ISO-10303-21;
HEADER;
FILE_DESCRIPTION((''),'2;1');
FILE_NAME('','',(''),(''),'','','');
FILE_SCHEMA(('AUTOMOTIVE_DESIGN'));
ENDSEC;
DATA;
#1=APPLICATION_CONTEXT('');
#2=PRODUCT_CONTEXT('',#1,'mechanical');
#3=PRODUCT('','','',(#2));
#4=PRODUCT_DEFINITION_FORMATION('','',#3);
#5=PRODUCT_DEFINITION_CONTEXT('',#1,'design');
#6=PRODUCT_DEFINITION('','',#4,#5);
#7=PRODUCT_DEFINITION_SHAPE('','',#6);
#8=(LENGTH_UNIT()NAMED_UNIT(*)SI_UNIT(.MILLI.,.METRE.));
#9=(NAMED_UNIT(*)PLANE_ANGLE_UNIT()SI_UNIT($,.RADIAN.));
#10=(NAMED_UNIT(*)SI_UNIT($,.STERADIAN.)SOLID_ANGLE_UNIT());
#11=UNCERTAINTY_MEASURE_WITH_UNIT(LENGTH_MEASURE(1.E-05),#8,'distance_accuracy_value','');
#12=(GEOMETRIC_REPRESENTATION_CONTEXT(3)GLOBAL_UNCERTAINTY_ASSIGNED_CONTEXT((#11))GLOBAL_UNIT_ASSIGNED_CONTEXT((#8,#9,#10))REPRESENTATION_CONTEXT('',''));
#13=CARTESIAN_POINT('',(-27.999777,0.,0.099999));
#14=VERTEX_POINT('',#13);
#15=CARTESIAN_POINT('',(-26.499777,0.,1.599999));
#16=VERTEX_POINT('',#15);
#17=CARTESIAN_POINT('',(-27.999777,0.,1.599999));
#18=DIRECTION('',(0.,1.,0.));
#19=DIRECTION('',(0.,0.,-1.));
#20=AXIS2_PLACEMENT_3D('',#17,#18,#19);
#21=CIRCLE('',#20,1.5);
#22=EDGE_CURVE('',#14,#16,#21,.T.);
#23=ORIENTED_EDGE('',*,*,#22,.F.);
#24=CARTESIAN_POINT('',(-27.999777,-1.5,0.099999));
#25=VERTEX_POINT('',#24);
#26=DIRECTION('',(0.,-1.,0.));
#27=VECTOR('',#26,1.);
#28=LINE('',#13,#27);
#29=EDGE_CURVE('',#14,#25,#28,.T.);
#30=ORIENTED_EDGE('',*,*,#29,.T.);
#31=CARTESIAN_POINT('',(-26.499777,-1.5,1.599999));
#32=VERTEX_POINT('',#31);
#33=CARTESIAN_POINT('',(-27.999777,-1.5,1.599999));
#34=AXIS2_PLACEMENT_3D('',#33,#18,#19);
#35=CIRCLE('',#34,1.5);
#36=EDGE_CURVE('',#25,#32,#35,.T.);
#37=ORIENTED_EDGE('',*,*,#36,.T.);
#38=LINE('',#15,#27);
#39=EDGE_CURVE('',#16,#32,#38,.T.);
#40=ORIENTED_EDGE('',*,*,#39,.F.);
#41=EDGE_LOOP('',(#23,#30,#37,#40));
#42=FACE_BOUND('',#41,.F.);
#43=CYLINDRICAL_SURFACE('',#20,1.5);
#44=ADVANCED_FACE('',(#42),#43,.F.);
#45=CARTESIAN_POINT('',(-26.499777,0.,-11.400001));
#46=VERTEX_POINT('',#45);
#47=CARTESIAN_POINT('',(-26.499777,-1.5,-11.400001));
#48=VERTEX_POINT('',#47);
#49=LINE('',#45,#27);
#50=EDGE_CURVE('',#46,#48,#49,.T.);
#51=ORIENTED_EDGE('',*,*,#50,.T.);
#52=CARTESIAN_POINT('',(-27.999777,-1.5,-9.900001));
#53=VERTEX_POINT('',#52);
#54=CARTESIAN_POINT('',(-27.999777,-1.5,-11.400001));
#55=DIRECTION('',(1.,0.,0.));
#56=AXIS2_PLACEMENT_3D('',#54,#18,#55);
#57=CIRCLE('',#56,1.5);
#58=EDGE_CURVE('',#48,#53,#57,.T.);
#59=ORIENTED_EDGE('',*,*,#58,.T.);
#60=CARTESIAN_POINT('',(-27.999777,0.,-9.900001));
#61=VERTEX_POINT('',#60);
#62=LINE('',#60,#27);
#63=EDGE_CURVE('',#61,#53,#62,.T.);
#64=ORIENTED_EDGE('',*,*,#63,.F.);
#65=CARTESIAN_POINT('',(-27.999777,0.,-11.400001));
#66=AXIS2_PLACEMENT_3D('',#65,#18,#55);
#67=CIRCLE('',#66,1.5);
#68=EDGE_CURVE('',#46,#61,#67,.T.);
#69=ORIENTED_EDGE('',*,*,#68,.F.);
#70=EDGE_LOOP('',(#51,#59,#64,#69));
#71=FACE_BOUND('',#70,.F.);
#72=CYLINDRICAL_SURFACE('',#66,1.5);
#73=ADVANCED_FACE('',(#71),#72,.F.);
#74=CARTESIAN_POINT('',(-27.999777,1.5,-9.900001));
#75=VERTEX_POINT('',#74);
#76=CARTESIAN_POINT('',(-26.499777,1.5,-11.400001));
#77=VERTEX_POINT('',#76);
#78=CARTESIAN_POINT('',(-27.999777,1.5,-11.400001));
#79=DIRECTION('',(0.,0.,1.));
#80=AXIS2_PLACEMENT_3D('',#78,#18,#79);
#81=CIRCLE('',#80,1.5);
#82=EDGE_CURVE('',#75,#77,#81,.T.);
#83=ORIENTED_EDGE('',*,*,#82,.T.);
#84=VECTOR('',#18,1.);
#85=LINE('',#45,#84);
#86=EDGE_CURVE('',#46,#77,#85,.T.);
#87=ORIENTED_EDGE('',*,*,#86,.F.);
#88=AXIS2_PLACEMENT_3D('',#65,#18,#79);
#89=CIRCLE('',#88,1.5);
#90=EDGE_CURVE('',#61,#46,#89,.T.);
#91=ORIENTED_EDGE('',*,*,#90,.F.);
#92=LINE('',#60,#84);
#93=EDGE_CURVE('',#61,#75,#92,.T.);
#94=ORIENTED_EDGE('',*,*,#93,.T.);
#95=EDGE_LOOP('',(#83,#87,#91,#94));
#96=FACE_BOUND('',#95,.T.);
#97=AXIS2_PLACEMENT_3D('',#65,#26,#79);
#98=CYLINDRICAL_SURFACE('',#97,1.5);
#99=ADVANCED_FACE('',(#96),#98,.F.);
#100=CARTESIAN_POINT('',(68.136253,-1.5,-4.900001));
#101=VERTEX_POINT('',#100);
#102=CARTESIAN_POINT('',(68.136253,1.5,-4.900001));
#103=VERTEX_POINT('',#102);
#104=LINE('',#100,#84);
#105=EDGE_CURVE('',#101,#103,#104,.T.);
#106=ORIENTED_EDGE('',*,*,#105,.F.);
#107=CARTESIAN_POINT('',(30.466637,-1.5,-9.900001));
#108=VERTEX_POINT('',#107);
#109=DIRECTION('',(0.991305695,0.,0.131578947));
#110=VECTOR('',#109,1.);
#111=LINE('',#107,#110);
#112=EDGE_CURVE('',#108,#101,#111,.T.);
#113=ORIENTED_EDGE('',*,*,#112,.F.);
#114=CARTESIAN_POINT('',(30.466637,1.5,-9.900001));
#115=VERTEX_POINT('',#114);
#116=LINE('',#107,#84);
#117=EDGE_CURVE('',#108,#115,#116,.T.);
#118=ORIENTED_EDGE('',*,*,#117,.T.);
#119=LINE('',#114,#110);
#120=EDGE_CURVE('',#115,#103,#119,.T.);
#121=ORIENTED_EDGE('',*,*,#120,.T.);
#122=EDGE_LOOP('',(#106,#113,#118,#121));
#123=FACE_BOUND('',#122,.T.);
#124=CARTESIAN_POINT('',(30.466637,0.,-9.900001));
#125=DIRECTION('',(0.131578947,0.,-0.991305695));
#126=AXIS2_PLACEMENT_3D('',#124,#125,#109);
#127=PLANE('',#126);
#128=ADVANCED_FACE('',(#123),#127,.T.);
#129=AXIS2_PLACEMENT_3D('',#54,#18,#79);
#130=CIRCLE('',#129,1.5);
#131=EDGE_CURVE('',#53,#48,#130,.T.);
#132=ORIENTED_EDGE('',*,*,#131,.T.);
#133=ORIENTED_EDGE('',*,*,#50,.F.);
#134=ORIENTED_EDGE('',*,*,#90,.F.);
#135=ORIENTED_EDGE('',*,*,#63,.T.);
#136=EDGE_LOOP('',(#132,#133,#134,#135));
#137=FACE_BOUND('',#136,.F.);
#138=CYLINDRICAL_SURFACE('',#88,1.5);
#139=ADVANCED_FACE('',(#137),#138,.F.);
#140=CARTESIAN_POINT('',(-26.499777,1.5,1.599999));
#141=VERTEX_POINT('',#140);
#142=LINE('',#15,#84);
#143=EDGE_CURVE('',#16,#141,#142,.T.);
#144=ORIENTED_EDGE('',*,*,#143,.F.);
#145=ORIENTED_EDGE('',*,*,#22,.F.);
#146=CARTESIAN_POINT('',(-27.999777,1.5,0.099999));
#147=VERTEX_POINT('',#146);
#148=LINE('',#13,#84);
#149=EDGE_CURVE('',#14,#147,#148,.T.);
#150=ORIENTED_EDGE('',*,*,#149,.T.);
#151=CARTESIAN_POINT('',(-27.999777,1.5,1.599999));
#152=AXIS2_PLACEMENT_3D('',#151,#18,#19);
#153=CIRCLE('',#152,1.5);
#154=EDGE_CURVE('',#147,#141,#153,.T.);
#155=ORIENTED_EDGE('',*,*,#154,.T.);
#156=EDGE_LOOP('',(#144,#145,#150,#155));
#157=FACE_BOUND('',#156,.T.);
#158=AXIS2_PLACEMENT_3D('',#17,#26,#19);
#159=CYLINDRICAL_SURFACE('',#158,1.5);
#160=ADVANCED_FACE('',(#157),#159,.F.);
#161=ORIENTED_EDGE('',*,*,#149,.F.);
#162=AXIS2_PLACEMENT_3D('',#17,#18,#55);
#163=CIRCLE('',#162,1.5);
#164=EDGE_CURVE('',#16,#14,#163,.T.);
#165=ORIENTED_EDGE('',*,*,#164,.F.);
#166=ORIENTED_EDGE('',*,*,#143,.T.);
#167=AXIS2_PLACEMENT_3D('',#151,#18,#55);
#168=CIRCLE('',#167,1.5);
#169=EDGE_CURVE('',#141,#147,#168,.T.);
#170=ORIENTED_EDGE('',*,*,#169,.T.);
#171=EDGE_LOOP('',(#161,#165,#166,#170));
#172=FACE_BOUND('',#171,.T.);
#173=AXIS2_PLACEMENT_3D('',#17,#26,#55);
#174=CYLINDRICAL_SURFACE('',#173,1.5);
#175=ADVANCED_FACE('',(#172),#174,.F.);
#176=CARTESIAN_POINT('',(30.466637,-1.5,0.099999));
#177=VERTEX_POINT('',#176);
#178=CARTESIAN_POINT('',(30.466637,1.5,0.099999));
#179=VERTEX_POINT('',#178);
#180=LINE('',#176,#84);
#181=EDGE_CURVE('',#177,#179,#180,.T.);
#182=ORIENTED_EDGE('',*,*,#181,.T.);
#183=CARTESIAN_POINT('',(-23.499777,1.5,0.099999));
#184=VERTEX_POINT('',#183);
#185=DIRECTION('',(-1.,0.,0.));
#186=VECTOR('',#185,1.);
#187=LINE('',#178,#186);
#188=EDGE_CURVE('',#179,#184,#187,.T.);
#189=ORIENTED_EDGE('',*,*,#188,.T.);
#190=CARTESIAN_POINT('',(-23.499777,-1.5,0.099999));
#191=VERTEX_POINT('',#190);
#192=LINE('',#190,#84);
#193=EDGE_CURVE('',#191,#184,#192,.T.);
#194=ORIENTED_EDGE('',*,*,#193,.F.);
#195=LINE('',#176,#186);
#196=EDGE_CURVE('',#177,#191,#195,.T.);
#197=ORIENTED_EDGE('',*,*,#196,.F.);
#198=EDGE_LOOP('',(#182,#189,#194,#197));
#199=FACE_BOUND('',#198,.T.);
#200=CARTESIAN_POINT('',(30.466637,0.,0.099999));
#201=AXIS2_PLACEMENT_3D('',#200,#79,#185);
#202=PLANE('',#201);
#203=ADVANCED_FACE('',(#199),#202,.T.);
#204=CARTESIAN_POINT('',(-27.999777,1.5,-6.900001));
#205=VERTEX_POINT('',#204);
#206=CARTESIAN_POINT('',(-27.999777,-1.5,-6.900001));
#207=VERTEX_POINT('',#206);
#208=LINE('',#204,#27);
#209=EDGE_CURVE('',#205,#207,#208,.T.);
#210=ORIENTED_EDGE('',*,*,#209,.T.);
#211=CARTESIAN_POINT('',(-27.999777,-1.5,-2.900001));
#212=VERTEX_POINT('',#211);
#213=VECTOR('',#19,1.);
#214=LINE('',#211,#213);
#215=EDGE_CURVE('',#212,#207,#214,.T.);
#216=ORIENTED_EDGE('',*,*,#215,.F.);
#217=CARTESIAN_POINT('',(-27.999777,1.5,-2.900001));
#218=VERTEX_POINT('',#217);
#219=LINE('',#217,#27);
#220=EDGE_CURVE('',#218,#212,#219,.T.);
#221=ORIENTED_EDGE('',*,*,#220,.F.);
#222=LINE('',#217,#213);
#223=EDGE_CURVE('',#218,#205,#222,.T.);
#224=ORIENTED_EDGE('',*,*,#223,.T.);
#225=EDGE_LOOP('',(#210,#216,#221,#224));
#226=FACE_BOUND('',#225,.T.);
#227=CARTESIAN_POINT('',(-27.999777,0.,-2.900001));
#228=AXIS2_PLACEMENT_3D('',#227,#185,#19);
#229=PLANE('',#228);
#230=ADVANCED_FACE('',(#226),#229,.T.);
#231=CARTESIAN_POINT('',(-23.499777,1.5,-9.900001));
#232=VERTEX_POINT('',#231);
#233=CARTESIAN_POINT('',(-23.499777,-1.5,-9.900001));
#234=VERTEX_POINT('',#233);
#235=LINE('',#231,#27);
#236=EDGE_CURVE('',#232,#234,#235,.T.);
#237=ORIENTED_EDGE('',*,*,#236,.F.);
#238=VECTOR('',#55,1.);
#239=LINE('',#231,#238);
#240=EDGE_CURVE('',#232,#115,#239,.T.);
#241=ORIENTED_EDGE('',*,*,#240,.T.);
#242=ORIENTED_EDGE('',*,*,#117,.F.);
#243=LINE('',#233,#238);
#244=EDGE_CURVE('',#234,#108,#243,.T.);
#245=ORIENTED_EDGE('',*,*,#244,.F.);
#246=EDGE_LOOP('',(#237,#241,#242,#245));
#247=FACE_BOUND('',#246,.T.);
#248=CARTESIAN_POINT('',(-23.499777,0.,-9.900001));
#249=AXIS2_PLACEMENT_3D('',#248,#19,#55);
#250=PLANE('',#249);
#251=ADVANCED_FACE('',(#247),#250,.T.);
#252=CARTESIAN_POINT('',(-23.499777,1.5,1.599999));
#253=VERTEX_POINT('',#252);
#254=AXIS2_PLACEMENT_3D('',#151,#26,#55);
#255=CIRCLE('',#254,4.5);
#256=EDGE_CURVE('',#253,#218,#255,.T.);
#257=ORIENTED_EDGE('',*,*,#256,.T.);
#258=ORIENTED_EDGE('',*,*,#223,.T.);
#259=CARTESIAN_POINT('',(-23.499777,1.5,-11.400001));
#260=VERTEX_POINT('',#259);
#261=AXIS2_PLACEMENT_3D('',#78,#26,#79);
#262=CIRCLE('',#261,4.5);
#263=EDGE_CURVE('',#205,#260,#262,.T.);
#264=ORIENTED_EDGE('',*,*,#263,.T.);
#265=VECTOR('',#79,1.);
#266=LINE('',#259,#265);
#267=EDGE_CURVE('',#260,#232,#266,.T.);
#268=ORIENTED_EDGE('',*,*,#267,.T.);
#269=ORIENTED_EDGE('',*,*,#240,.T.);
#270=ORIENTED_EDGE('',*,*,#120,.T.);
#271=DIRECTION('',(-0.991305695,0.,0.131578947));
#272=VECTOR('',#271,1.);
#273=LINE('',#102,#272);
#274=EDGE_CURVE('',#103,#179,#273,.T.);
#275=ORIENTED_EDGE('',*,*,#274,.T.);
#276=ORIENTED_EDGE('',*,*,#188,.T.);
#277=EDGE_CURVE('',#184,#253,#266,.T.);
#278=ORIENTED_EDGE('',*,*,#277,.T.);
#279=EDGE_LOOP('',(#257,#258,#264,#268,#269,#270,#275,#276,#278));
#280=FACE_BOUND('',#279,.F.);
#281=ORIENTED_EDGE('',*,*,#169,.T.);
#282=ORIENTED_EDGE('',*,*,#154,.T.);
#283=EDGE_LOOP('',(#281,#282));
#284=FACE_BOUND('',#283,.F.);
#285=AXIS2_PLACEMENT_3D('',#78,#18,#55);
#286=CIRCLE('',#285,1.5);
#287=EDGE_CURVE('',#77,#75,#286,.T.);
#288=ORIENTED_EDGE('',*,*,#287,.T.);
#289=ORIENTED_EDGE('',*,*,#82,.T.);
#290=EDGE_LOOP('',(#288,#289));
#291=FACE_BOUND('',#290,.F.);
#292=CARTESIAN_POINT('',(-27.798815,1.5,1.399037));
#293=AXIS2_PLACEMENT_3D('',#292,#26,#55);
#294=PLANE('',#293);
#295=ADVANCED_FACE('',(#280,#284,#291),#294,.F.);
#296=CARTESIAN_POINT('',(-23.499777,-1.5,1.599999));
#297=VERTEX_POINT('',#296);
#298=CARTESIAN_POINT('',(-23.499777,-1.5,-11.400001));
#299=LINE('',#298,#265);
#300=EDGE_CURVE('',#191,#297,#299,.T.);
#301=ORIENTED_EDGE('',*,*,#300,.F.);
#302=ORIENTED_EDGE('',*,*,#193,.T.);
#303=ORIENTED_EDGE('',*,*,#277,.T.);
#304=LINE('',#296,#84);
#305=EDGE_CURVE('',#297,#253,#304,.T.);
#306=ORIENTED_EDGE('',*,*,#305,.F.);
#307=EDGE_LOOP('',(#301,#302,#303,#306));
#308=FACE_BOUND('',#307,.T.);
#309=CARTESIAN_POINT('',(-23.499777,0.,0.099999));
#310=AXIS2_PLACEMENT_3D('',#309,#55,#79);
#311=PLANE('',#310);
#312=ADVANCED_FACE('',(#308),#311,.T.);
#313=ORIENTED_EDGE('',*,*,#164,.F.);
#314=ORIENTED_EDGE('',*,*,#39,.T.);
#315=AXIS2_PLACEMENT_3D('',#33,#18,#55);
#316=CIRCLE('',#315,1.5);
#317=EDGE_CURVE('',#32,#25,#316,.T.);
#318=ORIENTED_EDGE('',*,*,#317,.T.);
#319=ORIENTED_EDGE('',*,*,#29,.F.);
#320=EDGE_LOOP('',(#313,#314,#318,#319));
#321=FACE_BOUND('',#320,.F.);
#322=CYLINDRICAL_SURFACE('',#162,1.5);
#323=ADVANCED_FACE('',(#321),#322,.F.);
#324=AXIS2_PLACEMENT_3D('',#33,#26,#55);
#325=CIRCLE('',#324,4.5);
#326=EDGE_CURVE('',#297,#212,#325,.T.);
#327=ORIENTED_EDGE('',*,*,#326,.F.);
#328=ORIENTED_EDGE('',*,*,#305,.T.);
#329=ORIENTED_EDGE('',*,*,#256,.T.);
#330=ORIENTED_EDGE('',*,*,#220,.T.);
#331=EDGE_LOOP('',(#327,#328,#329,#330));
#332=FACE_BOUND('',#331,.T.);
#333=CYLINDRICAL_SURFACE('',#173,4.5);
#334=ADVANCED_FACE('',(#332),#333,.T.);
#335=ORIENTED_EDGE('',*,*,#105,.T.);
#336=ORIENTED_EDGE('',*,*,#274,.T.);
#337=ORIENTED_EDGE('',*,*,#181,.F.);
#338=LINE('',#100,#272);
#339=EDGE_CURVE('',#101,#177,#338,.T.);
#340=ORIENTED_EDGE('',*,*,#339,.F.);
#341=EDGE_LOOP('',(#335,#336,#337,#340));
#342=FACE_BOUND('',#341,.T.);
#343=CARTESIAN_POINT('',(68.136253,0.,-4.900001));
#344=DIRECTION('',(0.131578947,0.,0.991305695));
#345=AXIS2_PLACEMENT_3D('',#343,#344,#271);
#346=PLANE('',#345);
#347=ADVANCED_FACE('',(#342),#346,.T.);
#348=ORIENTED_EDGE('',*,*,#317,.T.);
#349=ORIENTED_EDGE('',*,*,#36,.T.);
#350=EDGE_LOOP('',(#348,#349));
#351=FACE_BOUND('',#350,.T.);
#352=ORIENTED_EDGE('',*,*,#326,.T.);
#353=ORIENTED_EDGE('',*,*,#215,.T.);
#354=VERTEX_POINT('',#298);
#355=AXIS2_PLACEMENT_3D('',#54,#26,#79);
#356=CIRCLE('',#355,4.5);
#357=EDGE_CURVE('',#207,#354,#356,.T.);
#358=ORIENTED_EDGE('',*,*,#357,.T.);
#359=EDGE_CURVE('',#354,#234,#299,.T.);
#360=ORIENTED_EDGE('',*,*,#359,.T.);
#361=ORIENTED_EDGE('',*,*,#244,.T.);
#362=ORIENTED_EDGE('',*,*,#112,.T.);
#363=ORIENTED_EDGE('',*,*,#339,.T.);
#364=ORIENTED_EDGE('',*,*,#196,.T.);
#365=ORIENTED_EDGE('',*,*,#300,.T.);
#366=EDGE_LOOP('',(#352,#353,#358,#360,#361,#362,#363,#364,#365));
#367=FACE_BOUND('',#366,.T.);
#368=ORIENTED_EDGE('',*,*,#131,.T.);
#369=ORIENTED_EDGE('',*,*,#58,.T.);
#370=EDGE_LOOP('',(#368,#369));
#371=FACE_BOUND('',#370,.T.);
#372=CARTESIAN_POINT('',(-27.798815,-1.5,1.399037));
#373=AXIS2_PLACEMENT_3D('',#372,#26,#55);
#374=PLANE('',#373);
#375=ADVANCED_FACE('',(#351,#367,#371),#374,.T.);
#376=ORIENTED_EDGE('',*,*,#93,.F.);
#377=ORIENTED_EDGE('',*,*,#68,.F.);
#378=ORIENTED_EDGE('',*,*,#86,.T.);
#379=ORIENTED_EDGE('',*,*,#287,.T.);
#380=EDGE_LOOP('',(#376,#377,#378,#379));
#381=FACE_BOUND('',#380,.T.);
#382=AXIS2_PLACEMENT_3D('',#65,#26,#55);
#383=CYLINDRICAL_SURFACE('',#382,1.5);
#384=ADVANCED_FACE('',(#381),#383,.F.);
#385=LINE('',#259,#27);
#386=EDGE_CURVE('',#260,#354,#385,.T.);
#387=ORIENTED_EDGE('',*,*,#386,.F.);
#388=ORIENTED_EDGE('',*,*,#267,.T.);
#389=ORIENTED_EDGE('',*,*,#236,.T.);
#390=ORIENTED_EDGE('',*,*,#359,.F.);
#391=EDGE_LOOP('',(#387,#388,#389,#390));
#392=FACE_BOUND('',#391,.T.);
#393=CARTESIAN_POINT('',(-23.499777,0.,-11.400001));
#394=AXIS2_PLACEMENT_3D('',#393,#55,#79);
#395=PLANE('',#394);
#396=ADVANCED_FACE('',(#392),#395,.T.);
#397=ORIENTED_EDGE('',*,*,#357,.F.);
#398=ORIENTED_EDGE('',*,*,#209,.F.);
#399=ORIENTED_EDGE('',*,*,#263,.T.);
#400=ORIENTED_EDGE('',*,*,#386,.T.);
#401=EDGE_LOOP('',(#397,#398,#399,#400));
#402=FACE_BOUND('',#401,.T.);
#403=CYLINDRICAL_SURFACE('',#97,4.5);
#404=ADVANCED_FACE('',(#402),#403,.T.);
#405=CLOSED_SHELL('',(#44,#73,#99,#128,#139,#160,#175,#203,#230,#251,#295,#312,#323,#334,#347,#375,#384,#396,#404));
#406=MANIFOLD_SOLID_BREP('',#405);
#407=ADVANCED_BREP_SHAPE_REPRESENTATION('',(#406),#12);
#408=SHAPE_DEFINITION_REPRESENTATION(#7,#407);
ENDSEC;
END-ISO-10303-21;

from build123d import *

# Parameters (mm, degrees)
F1_DEPTH = 1.5


with BuildPart() as f1:
    # F0 (on Front) → F1 (new body, symmetric)
    with BuildSketch(Plane.XZ):
        with BuildLine():
            ThreePointArc((-23.4997773468, 1.5999988765), (-31.1817578622, 4.7819793918), (-27.9997773468, -2.9000011235))
            ThreePointArc((-27.9997773468, -2.9000011235), (-24.8177968315, -1.5819816389), (-23.4997773468, 1.5999988765))
        make_face()
        with BuildLine():
            ThreePointArc((-27.9997773468, 0.0999988765), (-29.0604375186, 2.6606590482), (-26.4997773468, 1.5999988765))
            ThreePointArc((-26.4997773468, 1.5999988765), (-26.9391171751, 0.5393387047), (-27.9997773468, 0.0999988765))
        make_face(mode=Mode.SUBTRACT)
        with BuildLine():
            ThreePointArc((-23.4997773468, 1.5999988765), (-24.8177968315, -1.5819816389), (-27.9997773468, -2.9000011235))
            Line((-27.9997773468, -2.9000011235), (-27.9997773468, -4.9000011235))
            Line((-27.9997773468, -4.9000011235), (-27.9997773468, -6.9000011235))
            ThreePointArc((-27.9997773468, -6.9000011235), (-24.8177968315, -8.2180206082), (-23.4997773468, -11.4000011235))
            Line((-23.4997773468, -11.4000011235), (-23.4997773468, -9.9000011235))
            Line((-23.4997773468, -9.9000011235), (-23.4997773468, -4.9000011235))
            Line((-23.4997773468, -4.9000011235), (-23.4997773468, 0.0999988765))
            Line((-23.4997773468, 0.0999988765), (-23.4997773468, 1.5999988765))
        make_face()
        Polygon((30.4666368291, 0.0999988765), (-23.4997773468, 0.0999988765), (-23.4997773468, -4.9000011235), (-23.4997773468, -9.9000011235), (30.4666368291, -9.9000011235), (68.1362532328, -4.9000011235), align=None)
        with BuildLine():
            ThreePointArc((-23.4997773468, -11.4000011235), (-24.8177968315, -8.2180206082), (-27.9997773468, -6.9000011235))
            ThreePointArc((-27.9997773468, -6.9000011235), (-31.1817578622, -14.5819816389), (-23.4997773468, -11.4000011235))
        make_face()
        with BuildLine():
            ThreePointArc((-26.4997773468, -11.4000011235), (-29.0604375186, -12.4606612953), (-27.9997773468, -9.9000011235))
            ThreePointArc((-27.9997773468, -9.9000011235), (-26.9391171751, -10.3393409518), (-26.4997773468, -11.4000011235))
        make_face(mode=Mode.SUBTRACT)
    extrude(amount=F1_DEPTH, both=True)


solid = f1.part
